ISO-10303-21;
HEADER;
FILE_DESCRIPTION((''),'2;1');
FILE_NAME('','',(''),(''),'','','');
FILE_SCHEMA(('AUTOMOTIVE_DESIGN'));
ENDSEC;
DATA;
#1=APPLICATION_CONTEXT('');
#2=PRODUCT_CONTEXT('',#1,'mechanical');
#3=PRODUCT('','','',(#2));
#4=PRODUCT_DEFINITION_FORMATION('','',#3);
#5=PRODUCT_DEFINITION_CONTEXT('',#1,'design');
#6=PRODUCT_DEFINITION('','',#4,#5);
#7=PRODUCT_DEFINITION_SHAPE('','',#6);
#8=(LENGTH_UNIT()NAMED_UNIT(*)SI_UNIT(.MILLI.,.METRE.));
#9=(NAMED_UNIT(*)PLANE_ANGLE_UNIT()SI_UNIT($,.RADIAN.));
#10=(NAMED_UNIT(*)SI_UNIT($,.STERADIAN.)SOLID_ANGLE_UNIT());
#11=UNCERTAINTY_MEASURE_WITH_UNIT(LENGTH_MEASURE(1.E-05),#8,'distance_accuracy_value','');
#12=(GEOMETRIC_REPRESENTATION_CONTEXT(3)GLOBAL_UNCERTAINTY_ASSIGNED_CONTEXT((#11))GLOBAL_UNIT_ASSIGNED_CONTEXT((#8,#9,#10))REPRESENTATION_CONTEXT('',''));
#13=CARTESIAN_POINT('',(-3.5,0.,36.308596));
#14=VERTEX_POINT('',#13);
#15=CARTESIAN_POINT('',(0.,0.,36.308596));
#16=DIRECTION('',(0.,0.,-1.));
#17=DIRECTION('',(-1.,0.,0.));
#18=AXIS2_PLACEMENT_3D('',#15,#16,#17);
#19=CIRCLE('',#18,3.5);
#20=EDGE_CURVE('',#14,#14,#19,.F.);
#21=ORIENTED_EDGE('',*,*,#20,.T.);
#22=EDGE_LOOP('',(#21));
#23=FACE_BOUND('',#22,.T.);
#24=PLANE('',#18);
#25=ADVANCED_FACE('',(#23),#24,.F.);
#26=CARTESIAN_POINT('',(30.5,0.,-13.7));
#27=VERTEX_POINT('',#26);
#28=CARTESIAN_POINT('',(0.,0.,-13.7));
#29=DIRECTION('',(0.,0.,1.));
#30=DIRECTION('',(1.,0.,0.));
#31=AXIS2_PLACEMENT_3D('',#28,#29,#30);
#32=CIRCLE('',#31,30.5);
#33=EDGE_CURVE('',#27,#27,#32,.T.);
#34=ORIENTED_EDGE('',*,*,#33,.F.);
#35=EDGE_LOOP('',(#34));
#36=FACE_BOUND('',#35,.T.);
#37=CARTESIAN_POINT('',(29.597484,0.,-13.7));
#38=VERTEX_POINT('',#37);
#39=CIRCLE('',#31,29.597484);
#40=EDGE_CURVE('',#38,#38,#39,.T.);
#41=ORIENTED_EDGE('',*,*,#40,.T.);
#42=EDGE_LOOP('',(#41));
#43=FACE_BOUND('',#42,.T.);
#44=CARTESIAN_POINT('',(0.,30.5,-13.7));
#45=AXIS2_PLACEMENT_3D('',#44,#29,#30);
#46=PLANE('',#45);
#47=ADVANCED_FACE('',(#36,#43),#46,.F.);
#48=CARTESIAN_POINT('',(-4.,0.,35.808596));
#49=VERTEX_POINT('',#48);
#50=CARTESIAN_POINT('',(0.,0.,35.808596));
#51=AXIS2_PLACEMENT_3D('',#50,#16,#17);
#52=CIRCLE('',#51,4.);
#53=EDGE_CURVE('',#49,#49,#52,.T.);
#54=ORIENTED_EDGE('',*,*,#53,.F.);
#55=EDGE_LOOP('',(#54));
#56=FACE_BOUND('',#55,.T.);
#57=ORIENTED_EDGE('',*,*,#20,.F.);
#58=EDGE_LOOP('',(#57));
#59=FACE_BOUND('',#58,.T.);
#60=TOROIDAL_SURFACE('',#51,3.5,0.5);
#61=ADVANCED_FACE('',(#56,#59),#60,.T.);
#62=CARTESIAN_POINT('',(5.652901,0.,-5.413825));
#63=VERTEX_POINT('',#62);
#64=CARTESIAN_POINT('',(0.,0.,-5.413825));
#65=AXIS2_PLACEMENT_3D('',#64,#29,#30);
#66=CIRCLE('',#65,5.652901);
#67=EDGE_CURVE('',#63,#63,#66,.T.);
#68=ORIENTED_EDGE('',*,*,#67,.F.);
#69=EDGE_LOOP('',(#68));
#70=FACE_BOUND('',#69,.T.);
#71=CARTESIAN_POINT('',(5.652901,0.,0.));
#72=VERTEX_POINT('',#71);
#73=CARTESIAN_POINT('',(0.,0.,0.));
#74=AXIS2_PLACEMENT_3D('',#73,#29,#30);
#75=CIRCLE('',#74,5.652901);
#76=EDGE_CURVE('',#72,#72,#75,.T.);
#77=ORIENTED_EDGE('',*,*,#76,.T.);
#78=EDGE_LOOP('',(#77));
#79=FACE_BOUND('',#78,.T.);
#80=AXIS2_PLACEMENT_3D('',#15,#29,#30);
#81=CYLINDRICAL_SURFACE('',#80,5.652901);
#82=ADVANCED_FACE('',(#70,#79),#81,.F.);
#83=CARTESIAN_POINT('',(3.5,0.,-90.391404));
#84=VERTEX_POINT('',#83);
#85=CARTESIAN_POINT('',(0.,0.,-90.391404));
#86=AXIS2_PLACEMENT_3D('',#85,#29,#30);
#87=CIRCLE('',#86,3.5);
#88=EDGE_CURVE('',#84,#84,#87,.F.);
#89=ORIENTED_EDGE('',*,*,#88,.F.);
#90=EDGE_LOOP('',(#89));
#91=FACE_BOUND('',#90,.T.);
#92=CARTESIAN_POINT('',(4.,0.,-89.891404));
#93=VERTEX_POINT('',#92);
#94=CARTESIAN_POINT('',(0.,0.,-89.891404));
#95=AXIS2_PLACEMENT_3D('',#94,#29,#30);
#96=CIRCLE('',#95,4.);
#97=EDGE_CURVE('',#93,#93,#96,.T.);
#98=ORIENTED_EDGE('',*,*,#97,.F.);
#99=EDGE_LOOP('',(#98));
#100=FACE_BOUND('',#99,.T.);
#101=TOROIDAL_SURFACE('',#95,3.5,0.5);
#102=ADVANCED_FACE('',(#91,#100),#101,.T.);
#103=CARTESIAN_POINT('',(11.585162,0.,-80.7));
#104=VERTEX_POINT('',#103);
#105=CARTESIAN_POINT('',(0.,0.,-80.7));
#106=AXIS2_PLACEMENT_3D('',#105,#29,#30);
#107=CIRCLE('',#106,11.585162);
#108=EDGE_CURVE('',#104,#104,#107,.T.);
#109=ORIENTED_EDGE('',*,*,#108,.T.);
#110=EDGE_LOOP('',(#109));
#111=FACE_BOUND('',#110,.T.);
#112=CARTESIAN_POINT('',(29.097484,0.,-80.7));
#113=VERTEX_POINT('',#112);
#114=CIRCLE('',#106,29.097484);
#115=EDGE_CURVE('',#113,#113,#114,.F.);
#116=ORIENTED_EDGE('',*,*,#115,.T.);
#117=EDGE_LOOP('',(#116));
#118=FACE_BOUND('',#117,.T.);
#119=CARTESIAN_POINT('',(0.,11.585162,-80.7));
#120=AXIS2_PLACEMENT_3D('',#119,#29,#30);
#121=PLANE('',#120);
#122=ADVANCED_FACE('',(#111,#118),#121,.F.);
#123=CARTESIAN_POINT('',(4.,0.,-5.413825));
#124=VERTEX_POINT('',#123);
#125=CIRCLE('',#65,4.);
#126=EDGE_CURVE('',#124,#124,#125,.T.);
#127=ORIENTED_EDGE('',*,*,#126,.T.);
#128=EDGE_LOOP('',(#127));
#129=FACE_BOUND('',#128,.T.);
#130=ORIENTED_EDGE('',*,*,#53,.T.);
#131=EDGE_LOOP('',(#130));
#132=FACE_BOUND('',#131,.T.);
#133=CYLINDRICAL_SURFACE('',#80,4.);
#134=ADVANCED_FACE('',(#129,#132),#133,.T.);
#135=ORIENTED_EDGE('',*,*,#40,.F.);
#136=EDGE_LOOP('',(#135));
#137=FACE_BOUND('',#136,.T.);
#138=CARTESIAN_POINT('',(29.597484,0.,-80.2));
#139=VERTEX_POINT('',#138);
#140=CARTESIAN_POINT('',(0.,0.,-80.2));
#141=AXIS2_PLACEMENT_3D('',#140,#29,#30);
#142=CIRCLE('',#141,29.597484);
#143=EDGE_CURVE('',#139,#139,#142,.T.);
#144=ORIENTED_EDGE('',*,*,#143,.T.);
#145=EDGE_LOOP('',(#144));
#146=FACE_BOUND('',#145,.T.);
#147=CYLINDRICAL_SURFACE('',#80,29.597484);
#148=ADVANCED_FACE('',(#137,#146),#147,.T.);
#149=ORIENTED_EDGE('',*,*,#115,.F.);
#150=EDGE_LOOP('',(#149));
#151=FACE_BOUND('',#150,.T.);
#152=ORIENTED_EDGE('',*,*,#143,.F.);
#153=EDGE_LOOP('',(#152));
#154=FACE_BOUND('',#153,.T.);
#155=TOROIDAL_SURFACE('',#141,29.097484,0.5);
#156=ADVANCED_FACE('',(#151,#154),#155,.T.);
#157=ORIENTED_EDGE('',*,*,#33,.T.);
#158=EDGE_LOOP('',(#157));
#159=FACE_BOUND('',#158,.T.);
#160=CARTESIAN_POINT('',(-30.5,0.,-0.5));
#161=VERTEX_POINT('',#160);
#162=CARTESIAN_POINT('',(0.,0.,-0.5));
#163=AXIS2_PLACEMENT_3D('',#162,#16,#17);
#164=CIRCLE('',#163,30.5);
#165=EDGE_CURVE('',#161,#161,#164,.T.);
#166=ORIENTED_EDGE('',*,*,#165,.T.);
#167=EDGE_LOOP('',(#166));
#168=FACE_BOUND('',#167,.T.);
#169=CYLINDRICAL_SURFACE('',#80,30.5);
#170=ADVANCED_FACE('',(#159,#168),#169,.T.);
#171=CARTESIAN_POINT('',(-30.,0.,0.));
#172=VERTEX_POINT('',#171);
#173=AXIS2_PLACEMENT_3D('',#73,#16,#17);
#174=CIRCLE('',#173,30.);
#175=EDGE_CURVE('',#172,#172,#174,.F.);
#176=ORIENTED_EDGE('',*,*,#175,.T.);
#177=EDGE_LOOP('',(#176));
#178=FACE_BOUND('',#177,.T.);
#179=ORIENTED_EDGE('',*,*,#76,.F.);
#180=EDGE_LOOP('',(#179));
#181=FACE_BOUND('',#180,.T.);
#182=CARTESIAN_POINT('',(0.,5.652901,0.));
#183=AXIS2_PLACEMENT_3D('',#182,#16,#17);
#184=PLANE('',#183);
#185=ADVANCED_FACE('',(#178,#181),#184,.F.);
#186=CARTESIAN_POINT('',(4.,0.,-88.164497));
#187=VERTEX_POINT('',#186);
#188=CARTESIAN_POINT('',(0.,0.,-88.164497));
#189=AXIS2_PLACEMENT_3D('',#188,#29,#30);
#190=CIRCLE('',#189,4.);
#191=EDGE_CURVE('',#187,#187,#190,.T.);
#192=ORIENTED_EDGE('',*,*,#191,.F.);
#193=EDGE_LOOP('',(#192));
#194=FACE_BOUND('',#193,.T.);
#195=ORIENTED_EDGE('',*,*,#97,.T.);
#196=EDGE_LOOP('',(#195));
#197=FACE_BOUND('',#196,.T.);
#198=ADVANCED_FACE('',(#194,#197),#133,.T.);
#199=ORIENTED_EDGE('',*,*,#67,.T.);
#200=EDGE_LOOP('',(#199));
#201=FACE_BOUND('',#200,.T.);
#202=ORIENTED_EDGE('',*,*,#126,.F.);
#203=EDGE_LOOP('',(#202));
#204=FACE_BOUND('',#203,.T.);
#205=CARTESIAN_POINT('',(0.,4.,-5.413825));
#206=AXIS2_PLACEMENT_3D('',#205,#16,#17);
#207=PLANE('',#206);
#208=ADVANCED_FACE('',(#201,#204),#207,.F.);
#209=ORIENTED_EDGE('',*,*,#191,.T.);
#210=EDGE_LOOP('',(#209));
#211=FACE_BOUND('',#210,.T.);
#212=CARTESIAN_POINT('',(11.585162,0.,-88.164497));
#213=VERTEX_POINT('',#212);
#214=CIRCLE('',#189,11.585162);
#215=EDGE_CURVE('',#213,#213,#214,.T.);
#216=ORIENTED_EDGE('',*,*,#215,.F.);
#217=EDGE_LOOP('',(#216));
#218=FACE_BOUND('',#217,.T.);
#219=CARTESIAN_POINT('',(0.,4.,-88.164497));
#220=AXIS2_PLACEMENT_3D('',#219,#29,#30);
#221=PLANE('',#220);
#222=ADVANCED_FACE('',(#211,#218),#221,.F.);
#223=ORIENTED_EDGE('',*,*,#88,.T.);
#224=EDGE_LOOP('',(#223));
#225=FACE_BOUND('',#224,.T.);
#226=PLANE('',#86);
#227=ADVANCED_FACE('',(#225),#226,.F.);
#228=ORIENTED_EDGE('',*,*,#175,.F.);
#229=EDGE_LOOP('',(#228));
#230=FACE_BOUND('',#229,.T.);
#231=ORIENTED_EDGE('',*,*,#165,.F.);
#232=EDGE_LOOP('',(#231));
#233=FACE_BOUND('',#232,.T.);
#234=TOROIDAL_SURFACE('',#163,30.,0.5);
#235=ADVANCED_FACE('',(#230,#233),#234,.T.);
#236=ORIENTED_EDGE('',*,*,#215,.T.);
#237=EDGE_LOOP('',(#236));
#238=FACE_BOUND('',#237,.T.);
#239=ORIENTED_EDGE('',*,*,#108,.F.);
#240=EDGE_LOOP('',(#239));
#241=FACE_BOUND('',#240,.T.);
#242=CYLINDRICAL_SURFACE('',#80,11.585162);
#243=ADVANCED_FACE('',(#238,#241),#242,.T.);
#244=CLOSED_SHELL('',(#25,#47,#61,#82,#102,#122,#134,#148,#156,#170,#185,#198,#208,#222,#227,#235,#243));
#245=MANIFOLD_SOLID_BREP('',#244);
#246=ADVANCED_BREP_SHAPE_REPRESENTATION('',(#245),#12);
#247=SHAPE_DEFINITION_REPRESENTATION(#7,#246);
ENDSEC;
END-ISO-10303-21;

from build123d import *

# Parameters (mm, degrees)
FILLET2_R = 0.5


with BuildPart() as part:
    # Sketch1 → Revolve1 (revolve)
    with BuildSketch(Plane(origin=(0, 0, 0), x_dir=(0, 0, -1), z_dir=(1, 0, 0)), mode=Mode.PRIVATE) as revolve1_sk:
        Polygon((13.7, 30.5), (13.7, 29.597484089), (80.7, 29.597484089), (80.7, 11.585161601), (88.164497018, 11.585161601), (88.164497018, 4), (90.391404279, 4), (90.391404279, 0), (-36.308595721, 0), (-36.308595721, 4), (5.413824797, 4), (5.413824797, 5.652900668), (0, 5.652900668), (0, 30.5), align=None)
    revolve(revolve1_sk.sketch.rotate(Axis((0, 0, 36.308595721), (0, 0, -1)), 90), axis=Axis((0, 0, 36.308595721), (0, 0, -1)))

    # Fillet2
    fillet2_edges = [part.edges().sort_by_distance(p)[0] for p in [
        (-4, 0, 36.308595721),
        (-4, 0, -90.391404279),
        (-29.597484089, 0, -80.7),
        (-30.5, 0, 0),
    ]]
    fillet(fillet2_edges, radius=FILLET2_R)


solid = part.part
